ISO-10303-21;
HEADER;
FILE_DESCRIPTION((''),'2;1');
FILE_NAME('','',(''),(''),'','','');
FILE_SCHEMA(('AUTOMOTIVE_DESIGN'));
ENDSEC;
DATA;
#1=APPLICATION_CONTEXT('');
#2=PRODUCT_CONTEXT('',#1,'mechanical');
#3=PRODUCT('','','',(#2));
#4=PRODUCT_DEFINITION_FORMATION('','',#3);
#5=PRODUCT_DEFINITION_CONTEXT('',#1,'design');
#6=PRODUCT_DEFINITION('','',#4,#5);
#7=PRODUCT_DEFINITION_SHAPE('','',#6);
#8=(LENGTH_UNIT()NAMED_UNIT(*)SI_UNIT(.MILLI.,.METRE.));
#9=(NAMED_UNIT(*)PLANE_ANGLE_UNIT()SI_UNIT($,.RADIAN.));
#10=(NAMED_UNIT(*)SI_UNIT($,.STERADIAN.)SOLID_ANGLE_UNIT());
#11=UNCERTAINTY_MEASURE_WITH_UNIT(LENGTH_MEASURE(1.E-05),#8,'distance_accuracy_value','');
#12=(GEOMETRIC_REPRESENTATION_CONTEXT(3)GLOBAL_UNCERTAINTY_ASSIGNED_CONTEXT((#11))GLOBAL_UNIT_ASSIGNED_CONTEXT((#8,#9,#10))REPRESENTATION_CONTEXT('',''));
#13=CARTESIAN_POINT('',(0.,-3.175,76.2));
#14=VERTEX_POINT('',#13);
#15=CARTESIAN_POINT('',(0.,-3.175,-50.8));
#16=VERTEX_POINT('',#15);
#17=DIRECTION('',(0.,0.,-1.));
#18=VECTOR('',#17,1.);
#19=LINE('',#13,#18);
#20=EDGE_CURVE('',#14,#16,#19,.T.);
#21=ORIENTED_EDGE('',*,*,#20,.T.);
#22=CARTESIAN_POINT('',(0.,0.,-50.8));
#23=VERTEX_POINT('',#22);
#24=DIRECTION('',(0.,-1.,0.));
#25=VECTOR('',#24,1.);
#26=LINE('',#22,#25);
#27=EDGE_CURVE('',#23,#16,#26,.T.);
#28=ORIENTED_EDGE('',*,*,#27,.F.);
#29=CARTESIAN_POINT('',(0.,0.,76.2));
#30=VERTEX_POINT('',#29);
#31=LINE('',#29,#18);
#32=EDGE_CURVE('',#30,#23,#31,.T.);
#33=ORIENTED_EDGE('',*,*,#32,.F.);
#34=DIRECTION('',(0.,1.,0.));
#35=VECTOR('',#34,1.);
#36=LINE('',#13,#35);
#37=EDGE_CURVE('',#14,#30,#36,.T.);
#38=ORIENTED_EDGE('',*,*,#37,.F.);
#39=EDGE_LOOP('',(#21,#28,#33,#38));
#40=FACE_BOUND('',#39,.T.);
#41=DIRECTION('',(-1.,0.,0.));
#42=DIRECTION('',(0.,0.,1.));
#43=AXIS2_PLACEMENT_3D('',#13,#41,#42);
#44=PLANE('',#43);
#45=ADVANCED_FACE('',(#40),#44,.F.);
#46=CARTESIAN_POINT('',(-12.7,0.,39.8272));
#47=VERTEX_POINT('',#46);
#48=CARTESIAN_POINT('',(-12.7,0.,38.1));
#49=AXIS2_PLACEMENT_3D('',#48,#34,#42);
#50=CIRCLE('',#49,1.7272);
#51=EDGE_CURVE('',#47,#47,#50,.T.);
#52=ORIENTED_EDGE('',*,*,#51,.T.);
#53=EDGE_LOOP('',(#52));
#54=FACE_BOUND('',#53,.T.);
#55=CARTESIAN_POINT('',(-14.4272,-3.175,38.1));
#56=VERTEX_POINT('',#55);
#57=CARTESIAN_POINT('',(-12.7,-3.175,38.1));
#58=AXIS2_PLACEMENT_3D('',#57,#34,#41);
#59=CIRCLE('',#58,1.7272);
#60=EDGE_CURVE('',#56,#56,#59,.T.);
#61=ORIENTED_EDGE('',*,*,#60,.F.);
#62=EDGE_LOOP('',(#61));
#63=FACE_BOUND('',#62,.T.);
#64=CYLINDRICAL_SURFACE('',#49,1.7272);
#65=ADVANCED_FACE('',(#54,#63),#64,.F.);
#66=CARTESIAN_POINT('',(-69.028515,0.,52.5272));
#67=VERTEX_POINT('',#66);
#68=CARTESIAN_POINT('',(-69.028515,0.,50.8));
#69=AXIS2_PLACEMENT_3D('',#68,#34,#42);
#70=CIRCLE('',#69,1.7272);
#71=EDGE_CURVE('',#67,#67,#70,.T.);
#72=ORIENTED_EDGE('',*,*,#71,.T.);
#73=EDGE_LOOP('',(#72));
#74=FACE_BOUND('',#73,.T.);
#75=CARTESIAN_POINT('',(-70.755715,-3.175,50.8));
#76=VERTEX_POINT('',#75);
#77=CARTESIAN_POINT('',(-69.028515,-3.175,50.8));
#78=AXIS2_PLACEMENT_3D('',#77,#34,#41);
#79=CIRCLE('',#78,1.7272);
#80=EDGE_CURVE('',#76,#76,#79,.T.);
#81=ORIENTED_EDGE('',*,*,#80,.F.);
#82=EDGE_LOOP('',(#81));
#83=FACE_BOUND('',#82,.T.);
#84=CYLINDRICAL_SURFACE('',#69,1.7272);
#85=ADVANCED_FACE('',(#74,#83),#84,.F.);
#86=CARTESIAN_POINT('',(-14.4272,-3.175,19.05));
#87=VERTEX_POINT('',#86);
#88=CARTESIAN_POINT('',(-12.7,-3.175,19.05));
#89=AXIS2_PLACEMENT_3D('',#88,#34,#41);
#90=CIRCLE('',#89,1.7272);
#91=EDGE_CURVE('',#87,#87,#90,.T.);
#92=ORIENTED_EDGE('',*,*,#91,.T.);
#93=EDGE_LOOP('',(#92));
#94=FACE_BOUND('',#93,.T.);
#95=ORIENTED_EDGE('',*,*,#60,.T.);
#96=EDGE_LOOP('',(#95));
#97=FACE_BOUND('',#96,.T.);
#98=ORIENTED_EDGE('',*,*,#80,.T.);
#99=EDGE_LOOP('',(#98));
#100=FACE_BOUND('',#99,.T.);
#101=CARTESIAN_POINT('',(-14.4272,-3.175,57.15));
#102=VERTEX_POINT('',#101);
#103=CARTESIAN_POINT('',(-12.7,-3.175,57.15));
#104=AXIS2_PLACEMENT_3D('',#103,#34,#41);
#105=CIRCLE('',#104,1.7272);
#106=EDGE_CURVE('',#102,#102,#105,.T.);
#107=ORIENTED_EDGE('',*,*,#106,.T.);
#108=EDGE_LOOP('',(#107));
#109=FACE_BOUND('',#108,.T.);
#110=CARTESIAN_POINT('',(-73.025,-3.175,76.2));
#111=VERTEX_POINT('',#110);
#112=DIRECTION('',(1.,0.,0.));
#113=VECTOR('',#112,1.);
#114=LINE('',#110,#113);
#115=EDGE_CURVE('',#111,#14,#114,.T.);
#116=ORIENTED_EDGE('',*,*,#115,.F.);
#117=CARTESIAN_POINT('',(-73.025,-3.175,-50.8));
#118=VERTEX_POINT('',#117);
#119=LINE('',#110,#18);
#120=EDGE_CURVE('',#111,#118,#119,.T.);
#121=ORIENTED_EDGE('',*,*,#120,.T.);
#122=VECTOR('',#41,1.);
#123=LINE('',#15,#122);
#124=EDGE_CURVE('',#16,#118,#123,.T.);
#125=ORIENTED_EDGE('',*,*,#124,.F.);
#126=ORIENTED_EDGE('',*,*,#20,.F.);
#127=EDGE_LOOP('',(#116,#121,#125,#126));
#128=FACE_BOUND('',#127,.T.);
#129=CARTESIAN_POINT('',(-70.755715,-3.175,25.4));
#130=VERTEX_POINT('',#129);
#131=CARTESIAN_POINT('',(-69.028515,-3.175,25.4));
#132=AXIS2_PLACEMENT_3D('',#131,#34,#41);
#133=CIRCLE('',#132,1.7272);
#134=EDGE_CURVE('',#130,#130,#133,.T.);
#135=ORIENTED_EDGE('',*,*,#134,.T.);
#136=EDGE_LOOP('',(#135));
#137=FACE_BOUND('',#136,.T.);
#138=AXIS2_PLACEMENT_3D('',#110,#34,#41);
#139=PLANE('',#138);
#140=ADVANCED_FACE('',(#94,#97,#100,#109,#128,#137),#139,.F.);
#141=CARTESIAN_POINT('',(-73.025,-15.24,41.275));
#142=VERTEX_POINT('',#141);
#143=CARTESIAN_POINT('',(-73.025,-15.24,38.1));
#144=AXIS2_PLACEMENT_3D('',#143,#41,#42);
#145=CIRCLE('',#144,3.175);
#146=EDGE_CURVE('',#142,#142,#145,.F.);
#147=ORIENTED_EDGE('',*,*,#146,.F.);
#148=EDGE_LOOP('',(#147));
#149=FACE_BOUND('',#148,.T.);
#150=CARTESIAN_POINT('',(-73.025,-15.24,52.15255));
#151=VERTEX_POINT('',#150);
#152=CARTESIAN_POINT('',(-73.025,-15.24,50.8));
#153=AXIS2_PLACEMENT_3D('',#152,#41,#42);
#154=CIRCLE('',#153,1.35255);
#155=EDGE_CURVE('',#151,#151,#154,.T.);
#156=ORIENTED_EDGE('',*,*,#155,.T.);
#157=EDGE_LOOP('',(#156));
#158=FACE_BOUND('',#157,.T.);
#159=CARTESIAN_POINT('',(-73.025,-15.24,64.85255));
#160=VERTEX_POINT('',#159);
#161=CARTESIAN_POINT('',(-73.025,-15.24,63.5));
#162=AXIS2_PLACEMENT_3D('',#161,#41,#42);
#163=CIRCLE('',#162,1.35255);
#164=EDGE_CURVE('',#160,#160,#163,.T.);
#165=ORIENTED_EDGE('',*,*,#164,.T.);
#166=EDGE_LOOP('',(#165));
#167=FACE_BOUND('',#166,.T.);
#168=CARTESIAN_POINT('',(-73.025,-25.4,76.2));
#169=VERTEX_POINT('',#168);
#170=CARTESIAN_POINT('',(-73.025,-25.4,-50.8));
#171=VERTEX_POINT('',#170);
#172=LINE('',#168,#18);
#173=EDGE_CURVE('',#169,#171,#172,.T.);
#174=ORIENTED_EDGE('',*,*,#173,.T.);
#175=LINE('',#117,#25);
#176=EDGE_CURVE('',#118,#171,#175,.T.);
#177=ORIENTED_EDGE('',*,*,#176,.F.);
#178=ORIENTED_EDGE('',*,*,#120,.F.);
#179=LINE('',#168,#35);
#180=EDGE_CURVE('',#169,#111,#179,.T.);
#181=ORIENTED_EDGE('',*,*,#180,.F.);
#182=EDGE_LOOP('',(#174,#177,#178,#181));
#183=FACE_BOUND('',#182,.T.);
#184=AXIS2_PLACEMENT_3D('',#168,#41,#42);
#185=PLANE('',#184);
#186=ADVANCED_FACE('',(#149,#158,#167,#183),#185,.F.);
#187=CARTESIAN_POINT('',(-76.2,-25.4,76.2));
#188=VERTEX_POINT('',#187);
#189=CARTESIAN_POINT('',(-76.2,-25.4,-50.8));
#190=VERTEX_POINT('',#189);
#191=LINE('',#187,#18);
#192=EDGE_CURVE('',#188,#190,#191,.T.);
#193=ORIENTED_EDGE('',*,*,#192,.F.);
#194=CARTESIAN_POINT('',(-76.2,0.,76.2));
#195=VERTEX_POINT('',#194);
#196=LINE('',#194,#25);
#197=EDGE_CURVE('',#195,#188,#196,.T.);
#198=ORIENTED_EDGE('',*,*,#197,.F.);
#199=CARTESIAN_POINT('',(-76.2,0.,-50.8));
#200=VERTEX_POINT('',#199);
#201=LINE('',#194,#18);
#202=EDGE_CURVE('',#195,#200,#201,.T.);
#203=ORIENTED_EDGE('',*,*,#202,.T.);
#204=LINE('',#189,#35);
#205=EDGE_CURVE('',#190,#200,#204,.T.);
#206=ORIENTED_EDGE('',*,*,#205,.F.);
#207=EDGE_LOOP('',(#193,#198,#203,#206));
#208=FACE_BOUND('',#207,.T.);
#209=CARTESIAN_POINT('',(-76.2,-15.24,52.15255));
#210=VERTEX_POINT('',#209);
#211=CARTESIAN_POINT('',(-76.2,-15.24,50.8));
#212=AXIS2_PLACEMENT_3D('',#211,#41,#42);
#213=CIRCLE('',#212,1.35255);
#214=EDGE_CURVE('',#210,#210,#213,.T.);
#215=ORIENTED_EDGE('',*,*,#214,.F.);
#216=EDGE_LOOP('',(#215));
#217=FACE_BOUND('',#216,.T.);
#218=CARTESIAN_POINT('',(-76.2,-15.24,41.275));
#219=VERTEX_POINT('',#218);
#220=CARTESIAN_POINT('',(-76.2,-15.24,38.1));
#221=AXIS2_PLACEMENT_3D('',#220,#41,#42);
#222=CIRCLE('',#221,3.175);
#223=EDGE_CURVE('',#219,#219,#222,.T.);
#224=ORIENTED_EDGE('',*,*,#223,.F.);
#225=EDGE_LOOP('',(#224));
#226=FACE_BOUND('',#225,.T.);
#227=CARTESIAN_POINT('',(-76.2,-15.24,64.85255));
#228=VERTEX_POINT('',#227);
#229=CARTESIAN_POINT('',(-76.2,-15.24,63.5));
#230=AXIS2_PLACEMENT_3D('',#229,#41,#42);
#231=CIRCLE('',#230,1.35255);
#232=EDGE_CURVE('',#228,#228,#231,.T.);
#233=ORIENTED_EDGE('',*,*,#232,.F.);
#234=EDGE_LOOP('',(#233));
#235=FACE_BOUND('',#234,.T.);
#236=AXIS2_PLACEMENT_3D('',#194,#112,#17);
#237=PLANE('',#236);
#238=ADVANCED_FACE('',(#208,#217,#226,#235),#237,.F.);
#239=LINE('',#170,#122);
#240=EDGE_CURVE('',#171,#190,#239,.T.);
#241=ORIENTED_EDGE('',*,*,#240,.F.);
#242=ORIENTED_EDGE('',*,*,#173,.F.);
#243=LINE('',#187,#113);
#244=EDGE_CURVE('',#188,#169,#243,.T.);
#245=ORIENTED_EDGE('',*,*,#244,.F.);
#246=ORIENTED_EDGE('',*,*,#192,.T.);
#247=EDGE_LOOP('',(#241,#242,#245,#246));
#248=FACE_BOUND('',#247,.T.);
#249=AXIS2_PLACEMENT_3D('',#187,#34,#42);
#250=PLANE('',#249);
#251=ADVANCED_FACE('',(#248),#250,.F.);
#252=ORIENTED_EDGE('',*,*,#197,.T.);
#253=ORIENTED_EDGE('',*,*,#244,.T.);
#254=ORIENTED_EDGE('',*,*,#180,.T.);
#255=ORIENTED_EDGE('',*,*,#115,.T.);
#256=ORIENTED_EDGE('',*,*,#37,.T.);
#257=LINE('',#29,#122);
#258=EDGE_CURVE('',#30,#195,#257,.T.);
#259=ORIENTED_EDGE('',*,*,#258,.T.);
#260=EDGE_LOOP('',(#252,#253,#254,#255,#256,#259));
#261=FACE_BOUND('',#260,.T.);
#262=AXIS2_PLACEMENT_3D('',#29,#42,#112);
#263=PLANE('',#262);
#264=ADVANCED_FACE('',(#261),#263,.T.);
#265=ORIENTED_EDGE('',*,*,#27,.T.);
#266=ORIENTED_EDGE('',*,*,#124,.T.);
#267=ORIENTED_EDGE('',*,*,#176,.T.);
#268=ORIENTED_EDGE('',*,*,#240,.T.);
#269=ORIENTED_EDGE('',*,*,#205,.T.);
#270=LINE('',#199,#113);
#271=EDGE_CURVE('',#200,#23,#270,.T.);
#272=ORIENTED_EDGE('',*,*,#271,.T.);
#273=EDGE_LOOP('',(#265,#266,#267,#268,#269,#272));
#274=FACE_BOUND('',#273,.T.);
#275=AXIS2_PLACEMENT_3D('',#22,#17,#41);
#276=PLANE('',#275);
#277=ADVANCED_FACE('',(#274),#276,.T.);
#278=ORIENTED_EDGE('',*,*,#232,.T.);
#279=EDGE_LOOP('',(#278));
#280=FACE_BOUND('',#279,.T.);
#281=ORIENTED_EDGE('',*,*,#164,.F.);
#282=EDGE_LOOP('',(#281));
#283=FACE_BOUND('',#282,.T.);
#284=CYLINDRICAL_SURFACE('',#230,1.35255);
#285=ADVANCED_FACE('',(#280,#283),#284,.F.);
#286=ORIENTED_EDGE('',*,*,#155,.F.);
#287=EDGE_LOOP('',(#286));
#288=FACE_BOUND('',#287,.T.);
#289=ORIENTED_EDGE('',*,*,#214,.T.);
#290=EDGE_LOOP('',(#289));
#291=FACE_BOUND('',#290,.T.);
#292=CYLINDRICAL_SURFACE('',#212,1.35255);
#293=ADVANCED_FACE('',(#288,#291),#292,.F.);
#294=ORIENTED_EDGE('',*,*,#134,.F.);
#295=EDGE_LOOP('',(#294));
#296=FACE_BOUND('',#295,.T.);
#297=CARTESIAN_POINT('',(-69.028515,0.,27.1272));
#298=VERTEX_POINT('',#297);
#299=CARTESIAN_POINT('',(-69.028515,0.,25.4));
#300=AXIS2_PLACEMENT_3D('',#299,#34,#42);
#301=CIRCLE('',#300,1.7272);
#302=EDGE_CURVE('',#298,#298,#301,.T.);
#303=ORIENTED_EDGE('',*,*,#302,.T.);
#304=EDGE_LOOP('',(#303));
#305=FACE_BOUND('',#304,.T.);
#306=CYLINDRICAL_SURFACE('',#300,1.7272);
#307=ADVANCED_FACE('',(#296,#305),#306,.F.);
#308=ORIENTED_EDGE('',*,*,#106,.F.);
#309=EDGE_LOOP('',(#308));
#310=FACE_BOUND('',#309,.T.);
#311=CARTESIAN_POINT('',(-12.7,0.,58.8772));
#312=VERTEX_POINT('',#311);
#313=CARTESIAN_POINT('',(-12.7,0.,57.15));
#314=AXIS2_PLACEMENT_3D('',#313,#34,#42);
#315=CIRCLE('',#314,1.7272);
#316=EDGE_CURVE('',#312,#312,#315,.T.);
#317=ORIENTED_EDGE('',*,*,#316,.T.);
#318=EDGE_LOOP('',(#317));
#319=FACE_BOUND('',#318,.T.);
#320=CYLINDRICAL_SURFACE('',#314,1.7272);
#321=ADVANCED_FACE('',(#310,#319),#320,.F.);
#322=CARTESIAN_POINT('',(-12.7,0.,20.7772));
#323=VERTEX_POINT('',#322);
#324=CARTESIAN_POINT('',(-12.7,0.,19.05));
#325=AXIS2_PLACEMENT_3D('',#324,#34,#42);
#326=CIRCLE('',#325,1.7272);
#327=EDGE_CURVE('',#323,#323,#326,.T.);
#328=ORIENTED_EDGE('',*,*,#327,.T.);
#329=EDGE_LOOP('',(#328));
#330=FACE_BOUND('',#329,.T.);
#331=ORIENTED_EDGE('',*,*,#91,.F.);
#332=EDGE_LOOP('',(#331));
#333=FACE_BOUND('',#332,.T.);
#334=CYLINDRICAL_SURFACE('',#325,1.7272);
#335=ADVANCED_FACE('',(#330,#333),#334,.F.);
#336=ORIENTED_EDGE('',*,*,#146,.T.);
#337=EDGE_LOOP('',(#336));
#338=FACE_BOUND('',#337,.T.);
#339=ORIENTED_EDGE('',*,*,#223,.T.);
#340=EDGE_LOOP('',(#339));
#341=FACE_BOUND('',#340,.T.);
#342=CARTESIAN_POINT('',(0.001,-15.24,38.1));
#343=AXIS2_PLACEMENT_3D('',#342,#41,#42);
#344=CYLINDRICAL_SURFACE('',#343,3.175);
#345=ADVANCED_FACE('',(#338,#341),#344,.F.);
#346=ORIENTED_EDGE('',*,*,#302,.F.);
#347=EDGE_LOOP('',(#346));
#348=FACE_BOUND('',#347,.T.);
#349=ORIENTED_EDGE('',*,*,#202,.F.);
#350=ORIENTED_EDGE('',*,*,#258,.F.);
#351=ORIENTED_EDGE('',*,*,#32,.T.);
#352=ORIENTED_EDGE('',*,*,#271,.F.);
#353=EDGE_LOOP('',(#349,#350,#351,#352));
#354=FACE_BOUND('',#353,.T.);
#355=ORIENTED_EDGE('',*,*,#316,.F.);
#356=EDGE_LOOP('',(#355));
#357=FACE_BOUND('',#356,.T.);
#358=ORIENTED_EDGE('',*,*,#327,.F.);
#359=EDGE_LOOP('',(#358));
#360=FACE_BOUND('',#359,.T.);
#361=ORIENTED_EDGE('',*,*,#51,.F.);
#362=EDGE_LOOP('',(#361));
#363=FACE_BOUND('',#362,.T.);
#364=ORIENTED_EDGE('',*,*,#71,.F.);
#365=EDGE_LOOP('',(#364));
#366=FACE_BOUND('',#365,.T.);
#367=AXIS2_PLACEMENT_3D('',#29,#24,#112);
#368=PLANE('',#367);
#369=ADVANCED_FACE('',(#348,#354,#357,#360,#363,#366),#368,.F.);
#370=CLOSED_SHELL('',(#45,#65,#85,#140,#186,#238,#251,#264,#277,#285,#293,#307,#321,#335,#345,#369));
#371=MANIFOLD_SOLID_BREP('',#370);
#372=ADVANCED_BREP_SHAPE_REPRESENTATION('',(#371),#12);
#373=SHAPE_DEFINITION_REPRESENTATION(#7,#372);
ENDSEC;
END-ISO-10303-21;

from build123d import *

# Parameters (mm, degrees)
BOSS_EXTRUDE1_DEPTH       = 76.2
CUT_EXTRUDE1_REACH        = 112.716
SKETCH7_R                 = 3.175
TAP_DRILL_FOR_8_32_TAP2_D = 3.4544
TAP_DRILL_FOR_8_32_TAP4_D = 3.4544
TAP_DRILL_FOR_6_32_TAP1_D = 2.7051
BOSS_EXTRUDE2_DEPTH       = 50.8


with BuildPart() as part:
    # Sketch2 → Boss-Extrude1 (new body)
    with BuildSketch(Plane.XY):
        Polygon((0, 0), (-76.2, 0), (-76.2, -25.4), (-73.025, -25.4), (-73.025, -3.175), (0, -3.175), align=None)
    extrude(amount=BOSS_EXTRUDE1_DEPTH)

    # Sketch7 → Cut-Extrude1 (cut, up to next)
    with BuildSketch(Plane.ZY.offset(76.2), mode=Mode.PRIVATE) as cut_extrude1_sk1:
        with Locations((38.1, -15.24)):
            Circle(SKETCH7_R)
    cut_extrude1_tool1 = extrude(cut_extrude1_sk1.sketch, amount=-CUT_EXTRUDE1_REACH, mode=Mode.PRIVATE) & part.part
    add(cut_extrude1_tool1.solids().sort_by_distance((-76.2, -15.24, 38.1))[0], mode=Mode.SUBTRACT)

    # Tap Drill for #8-32 Tap2 (through all)
    with Locations(Plane(origin=(0, 0, 0), x_dir=(1, 0, 0), z_dir=(0, 1, 0))):
        with Locations((-12.7, -19.05), (-12.7, -38.1), (-12.7, -57.15)):
            Hole(TAP_DRILL_FOR_8_32_TAP2_D / 2)

    # Tap Drill for #8-32 Tap4 (through all)
    with Locations(Plane(origin=(0, 0, 0), x_dir=(1, 0, 0), z_dir=(0, 1, 0))):
        with Locations((-69.028514561, -25.4), (-69.028514561, -50.8)):
            Hole(TAP_DRILL_FOR_8_32_TAP4_D / 2)

    # Tap Drill for #6-32 Tap1 (through all)
    with Locations(Plane.ZY.offset(76.2)):
        with Locations((50.8, -15.24), (63.5, -15.24)):
            Hole(TAP_DRILL_FOR_6_32_TAP1_D / 2)

    # Sketch19 → Boss-Extrude2 (add)
    with BuildSketch(Plane(origin=(0, 0, 0), x_dir=(-1, 0, 0), z_dir=(0, 0, -1))):
        Polygon((0, -3.175), (73.025, -3.175), (73.025, -25.4), (76.2, -25.4), (76.2, 0), (0, 0), align=None)
    extrude(amount=BOSS_EXTRUDE2_DEPTH)


solid = part.part
